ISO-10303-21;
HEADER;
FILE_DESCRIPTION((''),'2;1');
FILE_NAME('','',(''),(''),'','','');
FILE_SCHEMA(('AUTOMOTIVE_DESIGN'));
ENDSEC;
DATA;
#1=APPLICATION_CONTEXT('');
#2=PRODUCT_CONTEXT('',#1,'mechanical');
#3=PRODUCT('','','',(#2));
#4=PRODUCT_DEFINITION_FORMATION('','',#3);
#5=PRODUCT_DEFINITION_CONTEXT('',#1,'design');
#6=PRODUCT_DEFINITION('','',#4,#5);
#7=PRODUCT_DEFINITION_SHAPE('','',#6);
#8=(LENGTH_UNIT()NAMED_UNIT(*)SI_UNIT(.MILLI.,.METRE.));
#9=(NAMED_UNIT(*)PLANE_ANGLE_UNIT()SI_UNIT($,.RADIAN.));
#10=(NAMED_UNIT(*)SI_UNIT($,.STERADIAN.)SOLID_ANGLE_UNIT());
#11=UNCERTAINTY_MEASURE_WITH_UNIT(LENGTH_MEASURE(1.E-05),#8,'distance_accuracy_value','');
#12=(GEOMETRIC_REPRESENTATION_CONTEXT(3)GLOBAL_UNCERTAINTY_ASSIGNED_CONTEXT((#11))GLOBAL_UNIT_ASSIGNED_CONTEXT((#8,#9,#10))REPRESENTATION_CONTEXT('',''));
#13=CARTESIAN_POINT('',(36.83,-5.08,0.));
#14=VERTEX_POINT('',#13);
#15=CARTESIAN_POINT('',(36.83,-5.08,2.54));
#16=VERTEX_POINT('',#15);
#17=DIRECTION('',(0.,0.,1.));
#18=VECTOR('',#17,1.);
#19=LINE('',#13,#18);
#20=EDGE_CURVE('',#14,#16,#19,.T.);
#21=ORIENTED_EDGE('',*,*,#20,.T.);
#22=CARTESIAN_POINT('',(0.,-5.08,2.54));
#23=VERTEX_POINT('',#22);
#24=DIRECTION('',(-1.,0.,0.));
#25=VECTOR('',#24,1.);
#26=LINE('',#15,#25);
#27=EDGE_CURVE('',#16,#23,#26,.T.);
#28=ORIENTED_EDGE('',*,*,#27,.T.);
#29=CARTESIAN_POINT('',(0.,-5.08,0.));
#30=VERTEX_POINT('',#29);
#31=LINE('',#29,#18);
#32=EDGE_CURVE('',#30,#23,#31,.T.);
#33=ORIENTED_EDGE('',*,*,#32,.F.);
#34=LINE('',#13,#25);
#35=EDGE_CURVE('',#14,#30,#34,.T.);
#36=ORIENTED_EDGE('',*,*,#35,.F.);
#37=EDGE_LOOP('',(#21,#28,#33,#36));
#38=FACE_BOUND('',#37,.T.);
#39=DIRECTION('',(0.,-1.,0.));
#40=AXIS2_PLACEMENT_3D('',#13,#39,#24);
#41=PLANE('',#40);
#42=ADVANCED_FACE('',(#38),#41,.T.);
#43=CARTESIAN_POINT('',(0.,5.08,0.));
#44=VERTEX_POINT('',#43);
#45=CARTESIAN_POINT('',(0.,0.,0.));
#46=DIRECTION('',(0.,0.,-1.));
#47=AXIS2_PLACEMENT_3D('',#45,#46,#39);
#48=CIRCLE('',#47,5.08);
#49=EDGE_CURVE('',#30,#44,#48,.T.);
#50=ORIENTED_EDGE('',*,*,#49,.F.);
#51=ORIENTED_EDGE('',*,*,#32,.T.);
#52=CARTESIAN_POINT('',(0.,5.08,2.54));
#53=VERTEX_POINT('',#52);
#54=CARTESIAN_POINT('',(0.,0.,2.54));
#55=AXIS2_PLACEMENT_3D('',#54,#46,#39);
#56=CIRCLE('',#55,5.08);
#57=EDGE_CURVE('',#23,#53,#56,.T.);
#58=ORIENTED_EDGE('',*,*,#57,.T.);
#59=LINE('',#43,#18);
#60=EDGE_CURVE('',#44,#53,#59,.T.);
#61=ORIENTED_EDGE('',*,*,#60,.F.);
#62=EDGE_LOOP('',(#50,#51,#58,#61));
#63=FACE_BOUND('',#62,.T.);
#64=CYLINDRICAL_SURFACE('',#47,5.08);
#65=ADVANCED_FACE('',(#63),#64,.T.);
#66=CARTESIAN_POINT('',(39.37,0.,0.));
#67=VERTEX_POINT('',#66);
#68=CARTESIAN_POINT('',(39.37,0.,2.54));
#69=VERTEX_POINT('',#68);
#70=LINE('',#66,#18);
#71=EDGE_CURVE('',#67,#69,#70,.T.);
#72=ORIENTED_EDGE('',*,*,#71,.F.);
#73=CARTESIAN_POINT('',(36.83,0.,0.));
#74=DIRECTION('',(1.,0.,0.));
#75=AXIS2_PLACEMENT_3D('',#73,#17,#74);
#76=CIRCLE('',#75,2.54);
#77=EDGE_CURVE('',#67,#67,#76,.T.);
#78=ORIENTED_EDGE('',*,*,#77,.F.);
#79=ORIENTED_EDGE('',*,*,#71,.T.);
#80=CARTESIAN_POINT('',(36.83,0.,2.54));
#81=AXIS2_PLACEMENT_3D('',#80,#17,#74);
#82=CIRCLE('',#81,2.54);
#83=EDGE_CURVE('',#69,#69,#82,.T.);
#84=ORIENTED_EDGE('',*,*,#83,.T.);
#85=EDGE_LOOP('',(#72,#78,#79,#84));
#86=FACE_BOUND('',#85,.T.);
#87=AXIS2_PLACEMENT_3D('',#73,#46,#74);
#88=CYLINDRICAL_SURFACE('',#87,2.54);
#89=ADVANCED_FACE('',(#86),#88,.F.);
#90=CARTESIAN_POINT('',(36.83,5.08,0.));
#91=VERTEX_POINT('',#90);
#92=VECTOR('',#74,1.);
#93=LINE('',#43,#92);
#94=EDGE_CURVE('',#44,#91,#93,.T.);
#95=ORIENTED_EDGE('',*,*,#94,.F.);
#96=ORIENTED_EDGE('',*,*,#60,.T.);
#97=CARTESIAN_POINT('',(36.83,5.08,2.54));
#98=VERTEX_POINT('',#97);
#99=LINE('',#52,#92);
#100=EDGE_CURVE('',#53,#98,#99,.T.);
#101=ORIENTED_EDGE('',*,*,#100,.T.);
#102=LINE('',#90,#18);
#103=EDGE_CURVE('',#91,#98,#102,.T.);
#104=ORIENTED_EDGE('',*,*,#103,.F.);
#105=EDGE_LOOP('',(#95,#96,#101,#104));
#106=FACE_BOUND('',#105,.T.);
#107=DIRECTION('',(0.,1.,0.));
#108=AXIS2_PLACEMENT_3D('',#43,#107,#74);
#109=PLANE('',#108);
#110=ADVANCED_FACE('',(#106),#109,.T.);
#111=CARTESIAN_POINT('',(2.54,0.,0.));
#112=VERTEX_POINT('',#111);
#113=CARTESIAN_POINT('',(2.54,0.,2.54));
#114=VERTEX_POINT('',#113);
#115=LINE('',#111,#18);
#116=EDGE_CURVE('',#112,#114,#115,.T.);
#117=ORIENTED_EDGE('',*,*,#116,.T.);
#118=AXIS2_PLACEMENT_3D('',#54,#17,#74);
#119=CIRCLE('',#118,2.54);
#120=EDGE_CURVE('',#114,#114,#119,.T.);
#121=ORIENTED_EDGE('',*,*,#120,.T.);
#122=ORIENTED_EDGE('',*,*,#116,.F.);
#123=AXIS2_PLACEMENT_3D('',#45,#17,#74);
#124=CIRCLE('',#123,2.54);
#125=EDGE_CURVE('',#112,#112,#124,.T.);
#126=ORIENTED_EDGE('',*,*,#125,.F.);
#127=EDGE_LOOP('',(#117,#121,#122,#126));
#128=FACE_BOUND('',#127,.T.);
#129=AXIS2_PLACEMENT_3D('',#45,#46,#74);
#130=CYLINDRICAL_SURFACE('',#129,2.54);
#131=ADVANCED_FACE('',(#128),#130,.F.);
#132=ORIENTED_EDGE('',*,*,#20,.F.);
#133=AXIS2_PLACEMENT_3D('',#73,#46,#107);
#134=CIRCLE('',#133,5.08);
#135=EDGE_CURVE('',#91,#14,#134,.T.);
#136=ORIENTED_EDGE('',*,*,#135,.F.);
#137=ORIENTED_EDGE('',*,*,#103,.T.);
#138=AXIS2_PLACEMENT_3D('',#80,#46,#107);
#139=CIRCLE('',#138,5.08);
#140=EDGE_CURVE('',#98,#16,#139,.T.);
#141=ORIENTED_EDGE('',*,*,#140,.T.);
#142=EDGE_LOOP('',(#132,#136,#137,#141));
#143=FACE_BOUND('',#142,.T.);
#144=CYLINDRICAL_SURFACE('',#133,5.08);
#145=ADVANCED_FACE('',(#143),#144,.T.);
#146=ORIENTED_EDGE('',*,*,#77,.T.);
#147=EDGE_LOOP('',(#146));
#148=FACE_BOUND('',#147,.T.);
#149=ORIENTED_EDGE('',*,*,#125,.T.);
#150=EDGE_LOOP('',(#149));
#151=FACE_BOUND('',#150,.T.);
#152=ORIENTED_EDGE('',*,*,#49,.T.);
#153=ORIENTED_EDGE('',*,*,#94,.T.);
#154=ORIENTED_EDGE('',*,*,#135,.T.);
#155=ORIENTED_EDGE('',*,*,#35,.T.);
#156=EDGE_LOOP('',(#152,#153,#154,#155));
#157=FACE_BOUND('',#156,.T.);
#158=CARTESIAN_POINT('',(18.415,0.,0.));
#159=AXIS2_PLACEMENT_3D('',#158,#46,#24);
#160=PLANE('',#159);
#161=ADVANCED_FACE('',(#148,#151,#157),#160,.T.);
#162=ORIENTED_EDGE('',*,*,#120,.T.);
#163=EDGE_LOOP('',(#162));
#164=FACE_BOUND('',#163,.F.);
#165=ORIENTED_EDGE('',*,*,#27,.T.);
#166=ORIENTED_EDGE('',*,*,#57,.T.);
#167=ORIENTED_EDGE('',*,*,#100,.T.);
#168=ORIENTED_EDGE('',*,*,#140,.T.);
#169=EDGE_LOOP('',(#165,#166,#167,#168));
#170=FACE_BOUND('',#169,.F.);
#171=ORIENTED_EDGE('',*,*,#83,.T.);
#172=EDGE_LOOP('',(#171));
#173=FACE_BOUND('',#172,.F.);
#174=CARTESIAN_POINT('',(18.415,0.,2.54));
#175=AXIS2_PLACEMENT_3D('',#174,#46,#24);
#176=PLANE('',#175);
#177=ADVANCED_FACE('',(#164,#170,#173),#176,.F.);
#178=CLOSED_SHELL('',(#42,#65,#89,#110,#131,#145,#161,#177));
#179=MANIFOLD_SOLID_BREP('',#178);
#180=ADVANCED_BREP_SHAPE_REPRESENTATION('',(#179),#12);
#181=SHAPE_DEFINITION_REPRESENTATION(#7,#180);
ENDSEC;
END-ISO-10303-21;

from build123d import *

# Parameters (mm, degrees)
SKETCH1_R           = 2.54
BOSS_EXTRUDE1_DEPTH = 2.54


with BuildPart() as part:
    # Sketch1 → Boss-Extrude1 (new body)
    with BuildSketch(Plane.XY):
        with BuildLine():
            Line((0, 5.08), (36.83, 5.08))
            ThreePointArc((36.83, 5.08), (41.91, 0), (36.83, -5.08))
            Line((36.83, -5.08), (0, -5.08))
            ThreePointArc((0, -5.08), (-5.08, 0), (0, 5.08))
        make_face()
        Circle(SKETCH1_R, mode=Mode.SUBTRACT)
        with Locations((36.83, 0)):
            Circle(SKETCH1_R, mode=Mode.SUBTRACT)
    extrude(amount=BOSS_EXTRUDE1_DEPTH)


solid = part.part
